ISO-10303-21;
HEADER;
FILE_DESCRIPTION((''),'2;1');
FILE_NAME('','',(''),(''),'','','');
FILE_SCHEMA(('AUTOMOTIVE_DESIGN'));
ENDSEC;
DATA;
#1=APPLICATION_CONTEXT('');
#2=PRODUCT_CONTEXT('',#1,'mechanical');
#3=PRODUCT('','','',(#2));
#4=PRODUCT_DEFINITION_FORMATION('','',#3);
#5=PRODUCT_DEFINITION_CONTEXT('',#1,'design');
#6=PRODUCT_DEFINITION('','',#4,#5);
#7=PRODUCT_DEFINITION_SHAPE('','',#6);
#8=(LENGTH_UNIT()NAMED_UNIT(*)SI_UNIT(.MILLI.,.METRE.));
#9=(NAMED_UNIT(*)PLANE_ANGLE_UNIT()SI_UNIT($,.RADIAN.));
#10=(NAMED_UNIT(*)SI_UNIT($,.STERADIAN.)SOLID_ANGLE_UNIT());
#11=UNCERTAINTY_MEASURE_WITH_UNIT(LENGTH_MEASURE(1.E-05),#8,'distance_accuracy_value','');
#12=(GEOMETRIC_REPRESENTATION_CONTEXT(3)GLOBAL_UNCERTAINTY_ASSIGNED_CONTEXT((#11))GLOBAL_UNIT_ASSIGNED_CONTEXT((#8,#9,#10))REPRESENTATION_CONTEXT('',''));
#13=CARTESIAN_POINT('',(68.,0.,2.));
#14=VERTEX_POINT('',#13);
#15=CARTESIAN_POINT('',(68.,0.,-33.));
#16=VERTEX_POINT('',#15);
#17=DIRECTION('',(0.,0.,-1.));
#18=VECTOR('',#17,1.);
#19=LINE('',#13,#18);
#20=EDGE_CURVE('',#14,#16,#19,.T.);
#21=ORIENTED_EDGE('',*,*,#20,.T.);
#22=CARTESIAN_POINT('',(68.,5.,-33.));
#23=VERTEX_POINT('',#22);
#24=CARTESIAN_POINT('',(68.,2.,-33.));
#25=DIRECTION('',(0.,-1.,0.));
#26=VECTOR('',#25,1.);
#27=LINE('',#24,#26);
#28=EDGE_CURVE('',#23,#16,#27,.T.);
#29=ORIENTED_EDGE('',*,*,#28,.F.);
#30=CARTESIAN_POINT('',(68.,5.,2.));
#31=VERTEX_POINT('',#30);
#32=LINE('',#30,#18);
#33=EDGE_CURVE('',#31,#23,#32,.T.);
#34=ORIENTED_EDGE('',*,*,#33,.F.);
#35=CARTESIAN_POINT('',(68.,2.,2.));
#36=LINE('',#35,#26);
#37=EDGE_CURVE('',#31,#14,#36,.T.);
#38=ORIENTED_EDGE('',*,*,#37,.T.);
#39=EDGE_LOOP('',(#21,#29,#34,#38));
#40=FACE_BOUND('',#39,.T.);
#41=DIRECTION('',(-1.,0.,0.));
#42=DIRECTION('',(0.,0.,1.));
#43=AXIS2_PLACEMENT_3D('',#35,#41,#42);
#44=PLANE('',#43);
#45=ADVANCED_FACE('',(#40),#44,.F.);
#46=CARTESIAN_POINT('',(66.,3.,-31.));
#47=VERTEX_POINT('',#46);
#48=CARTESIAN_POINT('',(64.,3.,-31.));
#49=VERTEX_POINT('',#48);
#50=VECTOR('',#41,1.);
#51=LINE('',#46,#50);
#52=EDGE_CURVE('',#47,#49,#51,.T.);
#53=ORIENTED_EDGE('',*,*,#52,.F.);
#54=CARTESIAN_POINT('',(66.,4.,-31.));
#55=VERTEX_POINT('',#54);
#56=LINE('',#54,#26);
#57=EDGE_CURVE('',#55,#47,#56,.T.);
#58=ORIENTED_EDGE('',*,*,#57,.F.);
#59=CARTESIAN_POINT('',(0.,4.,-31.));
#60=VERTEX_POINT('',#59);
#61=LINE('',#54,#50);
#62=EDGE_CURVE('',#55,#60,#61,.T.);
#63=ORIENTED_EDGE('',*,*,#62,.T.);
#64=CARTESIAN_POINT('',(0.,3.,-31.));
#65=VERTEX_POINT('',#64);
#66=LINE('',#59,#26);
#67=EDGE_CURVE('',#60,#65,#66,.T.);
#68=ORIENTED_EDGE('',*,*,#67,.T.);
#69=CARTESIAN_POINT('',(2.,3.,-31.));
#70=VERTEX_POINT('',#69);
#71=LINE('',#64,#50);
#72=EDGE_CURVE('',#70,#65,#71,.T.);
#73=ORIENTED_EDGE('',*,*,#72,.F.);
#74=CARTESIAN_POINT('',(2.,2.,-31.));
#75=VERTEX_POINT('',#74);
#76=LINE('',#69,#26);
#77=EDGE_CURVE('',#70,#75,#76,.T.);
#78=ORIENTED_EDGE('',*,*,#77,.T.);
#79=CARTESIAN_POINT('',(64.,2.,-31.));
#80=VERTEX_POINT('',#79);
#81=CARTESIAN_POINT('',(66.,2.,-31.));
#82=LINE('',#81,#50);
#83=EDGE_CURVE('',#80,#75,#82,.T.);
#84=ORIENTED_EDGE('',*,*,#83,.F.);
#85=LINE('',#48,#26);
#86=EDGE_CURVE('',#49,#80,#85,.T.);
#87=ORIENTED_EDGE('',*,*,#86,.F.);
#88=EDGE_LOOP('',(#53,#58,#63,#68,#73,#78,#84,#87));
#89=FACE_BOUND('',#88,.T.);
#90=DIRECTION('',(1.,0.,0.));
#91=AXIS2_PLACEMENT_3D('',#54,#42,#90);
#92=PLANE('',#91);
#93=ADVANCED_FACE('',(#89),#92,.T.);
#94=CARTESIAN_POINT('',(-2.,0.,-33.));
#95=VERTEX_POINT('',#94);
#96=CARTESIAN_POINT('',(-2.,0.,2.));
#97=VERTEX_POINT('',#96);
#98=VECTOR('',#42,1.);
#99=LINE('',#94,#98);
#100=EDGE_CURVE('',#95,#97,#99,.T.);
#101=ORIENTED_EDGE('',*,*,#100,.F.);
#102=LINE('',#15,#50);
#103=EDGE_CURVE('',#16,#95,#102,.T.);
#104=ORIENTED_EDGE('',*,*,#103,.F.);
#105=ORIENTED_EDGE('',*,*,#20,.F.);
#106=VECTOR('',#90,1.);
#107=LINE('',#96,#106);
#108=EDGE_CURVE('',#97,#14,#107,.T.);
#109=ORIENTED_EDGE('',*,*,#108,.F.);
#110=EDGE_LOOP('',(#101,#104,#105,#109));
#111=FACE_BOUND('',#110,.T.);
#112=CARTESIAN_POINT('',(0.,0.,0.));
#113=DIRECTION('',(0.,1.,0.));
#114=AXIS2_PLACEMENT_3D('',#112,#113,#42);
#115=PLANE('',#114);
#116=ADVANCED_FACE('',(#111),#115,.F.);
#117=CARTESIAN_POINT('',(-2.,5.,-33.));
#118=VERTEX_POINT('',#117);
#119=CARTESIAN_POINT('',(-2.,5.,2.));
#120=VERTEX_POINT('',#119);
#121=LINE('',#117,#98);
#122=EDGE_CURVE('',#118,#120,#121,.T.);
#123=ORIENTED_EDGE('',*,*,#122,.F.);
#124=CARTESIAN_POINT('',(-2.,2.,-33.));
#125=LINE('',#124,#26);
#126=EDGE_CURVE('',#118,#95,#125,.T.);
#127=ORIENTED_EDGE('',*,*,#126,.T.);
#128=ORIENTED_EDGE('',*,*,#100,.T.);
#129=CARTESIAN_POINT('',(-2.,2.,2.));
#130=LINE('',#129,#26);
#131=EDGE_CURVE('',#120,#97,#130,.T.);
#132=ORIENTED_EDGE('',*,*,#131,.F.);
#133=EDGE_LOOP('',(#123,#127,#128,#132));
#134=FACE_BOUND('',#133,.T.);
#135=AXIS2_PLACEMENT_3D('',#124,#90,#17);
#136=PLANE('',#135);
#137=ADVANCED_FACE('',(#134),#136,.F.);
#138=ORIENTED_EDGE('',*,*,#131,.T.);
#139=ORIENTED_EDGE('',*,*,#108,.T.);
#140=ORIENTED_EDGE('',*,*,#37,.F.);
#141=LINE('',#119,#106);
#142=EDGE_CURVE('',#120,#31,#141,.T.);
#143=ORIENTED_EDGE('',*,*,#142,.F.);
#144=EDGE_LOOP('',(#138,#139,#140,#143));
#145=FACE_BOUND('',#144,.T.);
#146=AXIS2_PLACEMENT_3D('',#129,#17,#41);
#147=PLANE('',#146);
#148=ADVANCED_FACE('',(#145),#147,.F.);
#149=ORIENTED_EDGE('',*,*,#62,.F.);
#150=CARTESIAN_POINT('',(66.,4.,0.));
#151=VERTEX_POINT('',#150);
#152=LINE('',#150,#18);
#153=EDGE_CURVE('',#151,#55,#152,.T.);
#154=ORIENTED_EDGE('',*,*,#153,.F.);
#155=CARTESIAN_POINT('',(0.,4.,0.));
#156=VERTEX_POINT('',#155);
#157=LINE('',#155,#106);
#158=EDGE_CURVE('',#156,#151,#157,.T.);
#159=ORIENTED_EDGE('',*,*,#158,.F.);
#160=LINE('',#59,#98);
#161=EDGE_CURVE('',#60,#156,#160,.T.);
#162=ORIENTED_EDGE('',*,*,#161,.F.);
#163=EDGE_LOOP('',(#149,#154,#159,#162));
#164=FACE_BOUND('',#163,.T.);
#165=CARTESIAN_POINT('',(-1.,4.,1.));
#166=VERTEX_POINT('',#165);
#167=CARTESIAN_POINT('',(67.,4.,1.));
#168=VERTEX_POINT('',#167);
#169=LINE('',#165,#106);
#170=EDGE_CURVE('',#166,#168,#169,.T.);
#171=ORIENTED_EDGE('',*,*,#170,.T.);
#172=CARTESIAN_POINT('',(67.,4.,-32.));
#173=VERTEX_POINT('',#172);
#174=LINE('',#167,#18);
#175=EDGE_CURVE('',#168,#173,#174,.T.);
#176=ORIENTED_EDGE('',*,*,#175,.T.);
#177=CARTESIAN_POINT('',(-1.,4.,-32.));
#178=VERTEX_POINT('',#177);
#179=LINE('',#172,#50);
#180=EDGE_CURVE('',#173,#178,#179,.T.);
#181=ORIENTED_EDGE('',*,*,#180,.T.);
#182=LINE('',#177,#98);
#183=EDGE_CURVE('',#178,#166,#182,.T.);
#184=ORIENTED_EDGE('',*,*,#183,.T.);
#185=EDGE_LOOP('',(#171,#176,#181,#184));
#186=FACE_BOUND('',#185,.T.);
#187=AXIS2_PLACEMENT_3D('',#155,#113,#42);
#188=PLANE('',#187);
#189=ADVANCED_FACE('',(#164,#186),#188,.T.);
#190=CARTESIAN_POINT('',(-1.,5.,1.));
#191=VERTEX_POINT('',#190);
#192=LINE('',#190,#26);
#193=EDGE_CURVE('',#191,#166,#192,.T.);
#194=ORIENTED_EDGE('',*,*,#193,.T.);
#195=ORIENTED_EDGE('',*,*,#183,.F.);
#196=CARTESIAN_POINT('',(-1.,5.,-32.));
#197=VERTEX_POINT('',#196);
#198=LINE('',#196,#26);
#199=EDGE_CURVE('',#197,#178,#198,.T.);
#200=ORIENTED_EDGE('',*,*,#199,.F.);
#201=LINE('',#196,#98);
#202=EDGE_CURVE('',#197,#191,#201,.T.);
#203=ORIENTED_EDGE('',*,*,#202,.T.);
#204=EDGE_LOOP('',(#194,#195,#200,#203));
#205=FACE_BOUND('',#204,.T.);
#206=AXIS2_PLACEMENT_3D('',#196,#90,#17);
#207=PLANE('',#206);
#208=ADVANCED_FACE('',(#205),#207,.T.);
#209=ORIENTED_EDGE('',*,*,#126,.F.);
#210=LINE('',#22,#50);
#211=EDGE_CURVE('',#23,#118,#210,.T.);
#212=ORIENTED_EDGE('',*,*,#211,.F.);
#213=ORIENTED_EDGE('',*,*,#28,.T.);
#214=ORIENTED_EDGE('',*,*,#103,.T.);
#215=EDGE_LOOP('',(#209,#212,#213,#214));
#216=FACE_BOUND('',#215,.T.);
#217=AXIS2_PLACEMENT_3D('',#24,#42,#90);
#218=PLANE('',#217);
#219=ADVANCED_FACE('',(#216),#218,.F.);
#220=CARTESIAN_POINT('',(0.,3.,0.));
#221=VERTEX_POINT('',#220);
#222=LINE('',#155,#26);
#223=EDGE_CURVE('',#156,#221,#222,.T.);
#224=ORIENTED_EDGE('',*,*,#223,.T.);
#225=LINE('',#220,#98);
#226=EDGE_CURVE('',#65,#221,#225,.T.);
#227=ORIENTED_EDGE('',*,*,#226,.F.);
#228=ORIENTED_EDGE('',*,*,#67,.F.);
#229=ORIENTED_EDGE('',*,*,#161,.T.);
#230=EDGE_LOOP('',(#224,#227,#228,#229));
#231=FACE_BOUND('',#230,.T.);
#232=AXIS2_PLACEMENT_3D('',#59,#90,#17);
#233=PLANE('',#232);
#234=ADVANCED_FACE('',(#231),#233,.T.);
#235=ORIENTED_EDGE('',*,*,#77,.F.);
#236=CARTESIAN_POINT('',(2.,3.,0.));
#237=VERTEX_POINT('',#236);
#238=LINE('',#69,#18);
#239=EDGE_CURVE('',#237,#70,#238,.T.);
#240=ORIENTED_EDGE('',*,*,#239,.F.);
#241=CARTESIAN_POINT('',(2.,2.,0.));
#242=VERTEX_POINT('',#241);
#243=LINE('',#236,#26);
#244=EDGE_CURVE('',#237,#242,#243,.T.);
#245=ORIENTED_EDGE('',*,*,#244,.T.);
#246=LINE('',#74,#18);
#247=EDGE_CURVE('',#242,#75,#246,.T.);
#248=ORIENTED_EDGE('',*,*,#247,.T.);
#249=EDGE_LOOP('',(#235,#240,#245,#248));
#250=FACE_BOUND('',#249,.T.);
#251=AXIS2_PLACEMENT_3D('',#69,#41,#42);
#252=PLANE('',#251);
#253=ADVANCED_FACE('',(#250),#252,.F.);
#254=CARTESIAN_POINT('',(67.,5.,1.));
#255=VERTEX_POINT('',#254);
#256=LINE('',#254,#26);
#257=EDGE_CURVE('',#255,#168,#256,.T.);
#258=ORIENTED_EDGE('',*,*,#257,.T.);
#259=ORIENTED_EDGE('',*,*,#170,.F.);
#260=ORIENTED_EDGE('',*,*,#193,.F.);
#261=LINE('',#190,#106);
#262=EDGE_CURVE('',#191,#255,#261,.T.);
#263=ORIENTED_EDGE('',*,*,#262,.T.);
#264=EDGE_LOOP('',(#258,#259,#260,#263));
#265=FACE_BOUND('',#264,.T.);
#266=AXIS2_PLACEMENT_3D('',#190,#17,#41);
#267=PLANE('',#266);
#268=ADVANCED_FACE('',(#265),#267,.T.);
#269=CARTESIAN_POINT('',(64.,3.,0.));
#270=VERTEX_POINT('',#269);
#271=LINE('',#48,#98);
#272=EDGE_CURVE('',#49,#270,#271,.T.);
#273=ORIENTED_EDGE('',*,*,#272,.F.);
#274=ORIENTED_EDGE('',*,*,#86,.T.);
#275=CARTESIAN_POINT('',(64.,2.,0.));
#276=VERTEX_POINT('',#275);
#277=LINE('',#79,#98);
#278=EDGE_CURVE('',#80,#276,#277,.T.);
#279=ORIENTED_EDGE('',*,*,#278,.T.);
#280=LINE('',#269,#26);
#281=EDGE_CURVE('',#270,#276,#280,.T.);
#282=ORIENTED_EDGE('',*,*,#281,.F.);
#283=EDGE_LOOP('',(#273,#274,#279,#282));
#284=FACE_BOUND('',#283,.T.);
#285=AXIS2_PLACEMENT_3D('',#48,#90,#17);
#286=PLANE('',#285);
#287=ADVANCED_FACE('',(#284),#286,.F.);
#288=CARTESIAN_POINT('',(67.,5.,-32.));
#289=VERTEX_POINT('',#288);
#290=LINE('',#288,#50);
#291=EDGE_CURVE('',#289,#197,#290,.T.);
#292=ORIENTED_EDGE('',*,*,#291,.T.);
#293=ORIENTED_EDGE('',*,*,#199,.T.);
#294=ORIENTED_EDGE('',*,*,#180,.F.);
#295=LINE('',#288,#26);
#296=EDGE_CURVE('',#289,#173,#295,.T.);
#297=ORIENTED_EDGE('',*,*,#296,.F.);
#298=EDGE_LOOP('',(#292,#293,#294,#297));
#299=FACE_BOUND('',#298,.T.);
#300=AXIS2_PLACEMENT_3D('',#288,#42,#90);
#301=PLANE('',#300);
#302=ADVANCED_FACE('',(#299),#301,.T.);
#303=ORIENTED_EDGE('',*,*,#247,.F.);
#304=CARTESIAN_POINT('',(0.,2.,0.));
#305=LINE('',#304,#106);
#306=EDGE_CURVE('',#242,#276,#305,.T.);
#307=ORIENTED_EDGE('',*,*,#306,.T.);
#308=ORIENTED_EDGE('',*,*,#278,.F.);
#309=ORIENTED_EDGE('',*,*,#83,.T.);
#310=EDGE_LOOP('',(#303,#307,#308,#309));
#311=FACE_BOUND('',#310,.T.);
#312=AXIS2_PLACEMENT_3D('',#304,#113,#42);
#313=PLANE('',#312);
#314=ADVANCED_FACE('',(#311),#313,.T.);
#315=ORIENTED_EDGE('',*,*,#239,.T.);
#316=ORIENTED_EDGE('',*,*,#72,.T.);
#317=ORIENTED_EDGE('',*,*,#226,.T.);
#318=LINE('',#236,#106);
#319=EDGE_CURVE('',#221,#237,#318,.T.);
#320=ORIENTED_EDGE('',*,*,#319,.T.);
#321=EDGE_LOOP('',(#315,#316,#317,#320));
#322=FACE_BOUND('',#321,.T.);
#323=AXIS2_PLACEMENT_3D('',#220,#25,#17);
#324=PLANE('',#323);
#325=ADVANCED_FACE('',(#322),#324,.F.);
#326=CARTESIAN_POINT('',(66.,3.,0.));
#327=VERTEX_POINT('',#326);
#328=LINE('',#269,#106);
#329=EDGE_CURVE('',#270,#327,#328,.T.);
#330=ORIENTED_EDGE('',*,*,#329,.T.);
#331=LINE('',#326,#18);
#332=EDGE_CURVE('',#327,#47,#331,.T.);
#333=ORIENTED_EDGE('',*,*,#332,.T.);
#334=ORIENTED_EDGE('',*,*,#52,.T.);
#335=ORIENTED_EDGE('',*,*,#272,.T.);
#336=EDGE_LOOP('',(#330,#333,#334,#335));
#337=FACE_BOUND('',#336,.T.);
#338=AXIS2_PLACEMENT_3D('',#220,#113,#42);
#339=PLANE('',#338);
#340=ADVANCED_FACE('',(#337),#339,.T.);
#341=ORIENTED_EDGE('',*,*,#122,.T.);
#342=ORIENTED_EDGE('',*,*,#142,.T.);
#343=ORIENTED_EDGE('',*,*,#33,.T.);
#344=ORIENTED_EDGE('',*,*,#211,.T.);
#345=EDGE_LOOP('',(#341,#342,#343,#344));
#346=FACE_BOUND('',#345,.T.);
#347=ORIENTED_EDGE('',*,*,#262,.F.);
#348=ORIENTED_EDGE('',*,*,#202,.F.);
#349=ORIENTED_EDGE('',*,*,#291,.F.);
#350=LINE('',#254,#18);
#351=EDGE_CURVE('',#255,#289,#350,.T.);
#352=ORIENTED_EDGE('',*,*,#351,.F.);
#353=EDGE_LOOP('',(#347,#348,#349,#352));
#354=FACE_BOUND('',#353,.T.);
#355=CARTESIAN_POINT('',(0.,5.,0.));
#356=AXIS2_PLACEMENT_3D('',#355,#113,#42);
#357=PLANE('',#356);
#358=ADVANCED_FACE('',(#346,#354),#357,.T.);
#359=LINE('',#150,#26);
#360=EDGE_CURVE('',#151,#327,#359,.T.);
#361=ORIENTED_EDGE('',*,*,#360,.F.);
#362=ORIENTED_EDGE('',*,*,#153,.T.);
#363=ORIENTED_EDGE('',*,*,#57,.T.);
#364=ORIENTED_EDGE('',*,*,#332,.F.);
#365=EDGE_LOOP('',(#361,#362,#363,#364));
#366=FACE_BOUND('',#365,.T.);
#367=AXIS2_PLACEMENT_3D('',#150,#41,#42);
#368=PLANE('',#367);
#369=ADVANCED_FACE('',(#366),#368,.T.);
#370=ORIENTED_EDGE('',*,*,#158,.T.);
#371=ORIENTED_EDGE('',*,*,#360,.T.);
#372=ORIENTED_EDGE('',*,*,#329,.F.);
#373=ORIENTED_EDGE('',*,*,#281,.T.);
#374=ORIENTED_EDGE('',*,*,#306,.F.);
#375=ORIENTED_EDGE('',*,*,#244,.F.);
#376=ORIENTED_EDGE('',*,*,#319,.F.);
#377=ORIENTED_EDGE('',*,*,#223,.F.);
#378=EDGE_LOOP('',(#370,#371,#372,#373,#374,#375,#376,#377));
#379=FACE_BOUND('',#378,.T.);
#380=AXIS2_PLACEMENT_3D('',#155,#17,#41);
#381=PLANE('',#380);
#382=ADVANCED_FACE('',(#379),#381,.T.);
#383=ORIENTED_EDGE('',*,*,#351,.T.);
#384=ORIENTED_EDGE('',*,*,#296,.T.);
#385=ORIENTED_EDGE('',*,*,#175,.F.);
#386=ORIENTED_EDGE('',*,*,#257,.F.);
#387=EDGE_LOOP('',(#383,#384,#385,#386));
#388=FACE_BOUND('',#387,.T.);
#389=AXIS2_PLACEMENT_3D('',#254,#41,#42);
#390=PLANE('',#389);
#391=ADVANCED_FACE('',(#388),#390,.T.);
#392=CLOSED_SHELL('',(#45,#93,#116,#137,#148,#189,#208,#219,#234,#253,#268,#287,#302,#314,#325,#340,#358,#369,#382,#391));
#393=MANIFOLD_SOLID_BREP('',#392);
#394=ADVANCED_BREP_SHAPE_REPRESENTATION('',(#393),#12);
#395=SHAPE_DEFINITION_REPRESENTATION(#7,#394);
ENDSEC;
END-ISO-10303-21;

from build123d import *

# Parameters (mm, degrees)
SKETCH1_W           = 70
SKETCH1_H           = 35
BOSS_EXTRUDE1_DEPTH = 2
SKETCH2_W           = 70
SKETCH2_H           = 35
SKETCH2_W_2         = 66
SKETCH2_H_2         = 31
BOSS_EXTRUDE2_DEPTH = 2
SKETCH3_W           = 2
SKETCH3_H           = 31
BOSS_EXTRUDE3_DEPTH = 1
SKETCH4_W           = 70
SKETCH4_H           = 35
SKETCH4_W_2         = 68
SKETCH4_H_2         = 33
BOSS_EXTRUDE4_DEPTH = 1


with BuildPart() as part:
    # Sketch1 → Boss-Extrude1 (new body)
    with BuildSketch(Plane(origin=(0, 0, 0), x_dir=(1, 0, 0), z_dir=(0, 1, 0))):
        with Locations((33, 15.5)):
            Rectangle(SKETCH1_W, SKETCH1_H)
    extrude(amount=BOSS_EXTRUDE1_DEPTH)

    # Sketch2 → Boss-Extrude2 (add)
    with BuildSketch(Plane(origin=(0, 2, 0), x_dir=(1, 0, 0), z_dir=(0, 1, 0))):
        with Locations((33, 15.5)):
            Rectangle(SKETCH2_W, SKETCH2_H)
        with Locations((33, 15.5)):
            Rectangle(SKETCH2_W_2, SKETCH2_H_2, mode=Mode.SUBTRACT)
    extrude(amount=BOSS_EXTRUDE2_DEPTH)

    # Sketch3 → Boss-Extrude3 (add)
    with BuildSketch(Plane(origin=(0, 2, 0), x_dir=(1, 0, 0), z_dir=(0, 1, 0))):
        with Locations((1, 15.5)):
            Rectangle(SKETCH3_W, SKETCH3_H)
        with Locations((65, 15.5)):
            Rectangle(SKETCH3_W, SKETCH3_H)
    extrude(amount=BOSS_EXTRUDE3_DEPTH)

    # Sketch4 → Boss-Extrude4 (add)
    with BuildSketch(Plane(origin=(0, 4, 0), x_dir=(1, 0, 0), z_dir=(0, 1, 0))):
        with Locations((33, 15.5)):
            Rectangle(SKETCH4_W, SKETCH4_H)
        with Locations((33, 15.5)):
            Rectangle(SKETCH4_W_2, SKETCH4_H_2, mode=Mode.SUBTRACT)
    extrude(amount=BOSS_EXTRUDE4_DEPTH)


solid = part.part
